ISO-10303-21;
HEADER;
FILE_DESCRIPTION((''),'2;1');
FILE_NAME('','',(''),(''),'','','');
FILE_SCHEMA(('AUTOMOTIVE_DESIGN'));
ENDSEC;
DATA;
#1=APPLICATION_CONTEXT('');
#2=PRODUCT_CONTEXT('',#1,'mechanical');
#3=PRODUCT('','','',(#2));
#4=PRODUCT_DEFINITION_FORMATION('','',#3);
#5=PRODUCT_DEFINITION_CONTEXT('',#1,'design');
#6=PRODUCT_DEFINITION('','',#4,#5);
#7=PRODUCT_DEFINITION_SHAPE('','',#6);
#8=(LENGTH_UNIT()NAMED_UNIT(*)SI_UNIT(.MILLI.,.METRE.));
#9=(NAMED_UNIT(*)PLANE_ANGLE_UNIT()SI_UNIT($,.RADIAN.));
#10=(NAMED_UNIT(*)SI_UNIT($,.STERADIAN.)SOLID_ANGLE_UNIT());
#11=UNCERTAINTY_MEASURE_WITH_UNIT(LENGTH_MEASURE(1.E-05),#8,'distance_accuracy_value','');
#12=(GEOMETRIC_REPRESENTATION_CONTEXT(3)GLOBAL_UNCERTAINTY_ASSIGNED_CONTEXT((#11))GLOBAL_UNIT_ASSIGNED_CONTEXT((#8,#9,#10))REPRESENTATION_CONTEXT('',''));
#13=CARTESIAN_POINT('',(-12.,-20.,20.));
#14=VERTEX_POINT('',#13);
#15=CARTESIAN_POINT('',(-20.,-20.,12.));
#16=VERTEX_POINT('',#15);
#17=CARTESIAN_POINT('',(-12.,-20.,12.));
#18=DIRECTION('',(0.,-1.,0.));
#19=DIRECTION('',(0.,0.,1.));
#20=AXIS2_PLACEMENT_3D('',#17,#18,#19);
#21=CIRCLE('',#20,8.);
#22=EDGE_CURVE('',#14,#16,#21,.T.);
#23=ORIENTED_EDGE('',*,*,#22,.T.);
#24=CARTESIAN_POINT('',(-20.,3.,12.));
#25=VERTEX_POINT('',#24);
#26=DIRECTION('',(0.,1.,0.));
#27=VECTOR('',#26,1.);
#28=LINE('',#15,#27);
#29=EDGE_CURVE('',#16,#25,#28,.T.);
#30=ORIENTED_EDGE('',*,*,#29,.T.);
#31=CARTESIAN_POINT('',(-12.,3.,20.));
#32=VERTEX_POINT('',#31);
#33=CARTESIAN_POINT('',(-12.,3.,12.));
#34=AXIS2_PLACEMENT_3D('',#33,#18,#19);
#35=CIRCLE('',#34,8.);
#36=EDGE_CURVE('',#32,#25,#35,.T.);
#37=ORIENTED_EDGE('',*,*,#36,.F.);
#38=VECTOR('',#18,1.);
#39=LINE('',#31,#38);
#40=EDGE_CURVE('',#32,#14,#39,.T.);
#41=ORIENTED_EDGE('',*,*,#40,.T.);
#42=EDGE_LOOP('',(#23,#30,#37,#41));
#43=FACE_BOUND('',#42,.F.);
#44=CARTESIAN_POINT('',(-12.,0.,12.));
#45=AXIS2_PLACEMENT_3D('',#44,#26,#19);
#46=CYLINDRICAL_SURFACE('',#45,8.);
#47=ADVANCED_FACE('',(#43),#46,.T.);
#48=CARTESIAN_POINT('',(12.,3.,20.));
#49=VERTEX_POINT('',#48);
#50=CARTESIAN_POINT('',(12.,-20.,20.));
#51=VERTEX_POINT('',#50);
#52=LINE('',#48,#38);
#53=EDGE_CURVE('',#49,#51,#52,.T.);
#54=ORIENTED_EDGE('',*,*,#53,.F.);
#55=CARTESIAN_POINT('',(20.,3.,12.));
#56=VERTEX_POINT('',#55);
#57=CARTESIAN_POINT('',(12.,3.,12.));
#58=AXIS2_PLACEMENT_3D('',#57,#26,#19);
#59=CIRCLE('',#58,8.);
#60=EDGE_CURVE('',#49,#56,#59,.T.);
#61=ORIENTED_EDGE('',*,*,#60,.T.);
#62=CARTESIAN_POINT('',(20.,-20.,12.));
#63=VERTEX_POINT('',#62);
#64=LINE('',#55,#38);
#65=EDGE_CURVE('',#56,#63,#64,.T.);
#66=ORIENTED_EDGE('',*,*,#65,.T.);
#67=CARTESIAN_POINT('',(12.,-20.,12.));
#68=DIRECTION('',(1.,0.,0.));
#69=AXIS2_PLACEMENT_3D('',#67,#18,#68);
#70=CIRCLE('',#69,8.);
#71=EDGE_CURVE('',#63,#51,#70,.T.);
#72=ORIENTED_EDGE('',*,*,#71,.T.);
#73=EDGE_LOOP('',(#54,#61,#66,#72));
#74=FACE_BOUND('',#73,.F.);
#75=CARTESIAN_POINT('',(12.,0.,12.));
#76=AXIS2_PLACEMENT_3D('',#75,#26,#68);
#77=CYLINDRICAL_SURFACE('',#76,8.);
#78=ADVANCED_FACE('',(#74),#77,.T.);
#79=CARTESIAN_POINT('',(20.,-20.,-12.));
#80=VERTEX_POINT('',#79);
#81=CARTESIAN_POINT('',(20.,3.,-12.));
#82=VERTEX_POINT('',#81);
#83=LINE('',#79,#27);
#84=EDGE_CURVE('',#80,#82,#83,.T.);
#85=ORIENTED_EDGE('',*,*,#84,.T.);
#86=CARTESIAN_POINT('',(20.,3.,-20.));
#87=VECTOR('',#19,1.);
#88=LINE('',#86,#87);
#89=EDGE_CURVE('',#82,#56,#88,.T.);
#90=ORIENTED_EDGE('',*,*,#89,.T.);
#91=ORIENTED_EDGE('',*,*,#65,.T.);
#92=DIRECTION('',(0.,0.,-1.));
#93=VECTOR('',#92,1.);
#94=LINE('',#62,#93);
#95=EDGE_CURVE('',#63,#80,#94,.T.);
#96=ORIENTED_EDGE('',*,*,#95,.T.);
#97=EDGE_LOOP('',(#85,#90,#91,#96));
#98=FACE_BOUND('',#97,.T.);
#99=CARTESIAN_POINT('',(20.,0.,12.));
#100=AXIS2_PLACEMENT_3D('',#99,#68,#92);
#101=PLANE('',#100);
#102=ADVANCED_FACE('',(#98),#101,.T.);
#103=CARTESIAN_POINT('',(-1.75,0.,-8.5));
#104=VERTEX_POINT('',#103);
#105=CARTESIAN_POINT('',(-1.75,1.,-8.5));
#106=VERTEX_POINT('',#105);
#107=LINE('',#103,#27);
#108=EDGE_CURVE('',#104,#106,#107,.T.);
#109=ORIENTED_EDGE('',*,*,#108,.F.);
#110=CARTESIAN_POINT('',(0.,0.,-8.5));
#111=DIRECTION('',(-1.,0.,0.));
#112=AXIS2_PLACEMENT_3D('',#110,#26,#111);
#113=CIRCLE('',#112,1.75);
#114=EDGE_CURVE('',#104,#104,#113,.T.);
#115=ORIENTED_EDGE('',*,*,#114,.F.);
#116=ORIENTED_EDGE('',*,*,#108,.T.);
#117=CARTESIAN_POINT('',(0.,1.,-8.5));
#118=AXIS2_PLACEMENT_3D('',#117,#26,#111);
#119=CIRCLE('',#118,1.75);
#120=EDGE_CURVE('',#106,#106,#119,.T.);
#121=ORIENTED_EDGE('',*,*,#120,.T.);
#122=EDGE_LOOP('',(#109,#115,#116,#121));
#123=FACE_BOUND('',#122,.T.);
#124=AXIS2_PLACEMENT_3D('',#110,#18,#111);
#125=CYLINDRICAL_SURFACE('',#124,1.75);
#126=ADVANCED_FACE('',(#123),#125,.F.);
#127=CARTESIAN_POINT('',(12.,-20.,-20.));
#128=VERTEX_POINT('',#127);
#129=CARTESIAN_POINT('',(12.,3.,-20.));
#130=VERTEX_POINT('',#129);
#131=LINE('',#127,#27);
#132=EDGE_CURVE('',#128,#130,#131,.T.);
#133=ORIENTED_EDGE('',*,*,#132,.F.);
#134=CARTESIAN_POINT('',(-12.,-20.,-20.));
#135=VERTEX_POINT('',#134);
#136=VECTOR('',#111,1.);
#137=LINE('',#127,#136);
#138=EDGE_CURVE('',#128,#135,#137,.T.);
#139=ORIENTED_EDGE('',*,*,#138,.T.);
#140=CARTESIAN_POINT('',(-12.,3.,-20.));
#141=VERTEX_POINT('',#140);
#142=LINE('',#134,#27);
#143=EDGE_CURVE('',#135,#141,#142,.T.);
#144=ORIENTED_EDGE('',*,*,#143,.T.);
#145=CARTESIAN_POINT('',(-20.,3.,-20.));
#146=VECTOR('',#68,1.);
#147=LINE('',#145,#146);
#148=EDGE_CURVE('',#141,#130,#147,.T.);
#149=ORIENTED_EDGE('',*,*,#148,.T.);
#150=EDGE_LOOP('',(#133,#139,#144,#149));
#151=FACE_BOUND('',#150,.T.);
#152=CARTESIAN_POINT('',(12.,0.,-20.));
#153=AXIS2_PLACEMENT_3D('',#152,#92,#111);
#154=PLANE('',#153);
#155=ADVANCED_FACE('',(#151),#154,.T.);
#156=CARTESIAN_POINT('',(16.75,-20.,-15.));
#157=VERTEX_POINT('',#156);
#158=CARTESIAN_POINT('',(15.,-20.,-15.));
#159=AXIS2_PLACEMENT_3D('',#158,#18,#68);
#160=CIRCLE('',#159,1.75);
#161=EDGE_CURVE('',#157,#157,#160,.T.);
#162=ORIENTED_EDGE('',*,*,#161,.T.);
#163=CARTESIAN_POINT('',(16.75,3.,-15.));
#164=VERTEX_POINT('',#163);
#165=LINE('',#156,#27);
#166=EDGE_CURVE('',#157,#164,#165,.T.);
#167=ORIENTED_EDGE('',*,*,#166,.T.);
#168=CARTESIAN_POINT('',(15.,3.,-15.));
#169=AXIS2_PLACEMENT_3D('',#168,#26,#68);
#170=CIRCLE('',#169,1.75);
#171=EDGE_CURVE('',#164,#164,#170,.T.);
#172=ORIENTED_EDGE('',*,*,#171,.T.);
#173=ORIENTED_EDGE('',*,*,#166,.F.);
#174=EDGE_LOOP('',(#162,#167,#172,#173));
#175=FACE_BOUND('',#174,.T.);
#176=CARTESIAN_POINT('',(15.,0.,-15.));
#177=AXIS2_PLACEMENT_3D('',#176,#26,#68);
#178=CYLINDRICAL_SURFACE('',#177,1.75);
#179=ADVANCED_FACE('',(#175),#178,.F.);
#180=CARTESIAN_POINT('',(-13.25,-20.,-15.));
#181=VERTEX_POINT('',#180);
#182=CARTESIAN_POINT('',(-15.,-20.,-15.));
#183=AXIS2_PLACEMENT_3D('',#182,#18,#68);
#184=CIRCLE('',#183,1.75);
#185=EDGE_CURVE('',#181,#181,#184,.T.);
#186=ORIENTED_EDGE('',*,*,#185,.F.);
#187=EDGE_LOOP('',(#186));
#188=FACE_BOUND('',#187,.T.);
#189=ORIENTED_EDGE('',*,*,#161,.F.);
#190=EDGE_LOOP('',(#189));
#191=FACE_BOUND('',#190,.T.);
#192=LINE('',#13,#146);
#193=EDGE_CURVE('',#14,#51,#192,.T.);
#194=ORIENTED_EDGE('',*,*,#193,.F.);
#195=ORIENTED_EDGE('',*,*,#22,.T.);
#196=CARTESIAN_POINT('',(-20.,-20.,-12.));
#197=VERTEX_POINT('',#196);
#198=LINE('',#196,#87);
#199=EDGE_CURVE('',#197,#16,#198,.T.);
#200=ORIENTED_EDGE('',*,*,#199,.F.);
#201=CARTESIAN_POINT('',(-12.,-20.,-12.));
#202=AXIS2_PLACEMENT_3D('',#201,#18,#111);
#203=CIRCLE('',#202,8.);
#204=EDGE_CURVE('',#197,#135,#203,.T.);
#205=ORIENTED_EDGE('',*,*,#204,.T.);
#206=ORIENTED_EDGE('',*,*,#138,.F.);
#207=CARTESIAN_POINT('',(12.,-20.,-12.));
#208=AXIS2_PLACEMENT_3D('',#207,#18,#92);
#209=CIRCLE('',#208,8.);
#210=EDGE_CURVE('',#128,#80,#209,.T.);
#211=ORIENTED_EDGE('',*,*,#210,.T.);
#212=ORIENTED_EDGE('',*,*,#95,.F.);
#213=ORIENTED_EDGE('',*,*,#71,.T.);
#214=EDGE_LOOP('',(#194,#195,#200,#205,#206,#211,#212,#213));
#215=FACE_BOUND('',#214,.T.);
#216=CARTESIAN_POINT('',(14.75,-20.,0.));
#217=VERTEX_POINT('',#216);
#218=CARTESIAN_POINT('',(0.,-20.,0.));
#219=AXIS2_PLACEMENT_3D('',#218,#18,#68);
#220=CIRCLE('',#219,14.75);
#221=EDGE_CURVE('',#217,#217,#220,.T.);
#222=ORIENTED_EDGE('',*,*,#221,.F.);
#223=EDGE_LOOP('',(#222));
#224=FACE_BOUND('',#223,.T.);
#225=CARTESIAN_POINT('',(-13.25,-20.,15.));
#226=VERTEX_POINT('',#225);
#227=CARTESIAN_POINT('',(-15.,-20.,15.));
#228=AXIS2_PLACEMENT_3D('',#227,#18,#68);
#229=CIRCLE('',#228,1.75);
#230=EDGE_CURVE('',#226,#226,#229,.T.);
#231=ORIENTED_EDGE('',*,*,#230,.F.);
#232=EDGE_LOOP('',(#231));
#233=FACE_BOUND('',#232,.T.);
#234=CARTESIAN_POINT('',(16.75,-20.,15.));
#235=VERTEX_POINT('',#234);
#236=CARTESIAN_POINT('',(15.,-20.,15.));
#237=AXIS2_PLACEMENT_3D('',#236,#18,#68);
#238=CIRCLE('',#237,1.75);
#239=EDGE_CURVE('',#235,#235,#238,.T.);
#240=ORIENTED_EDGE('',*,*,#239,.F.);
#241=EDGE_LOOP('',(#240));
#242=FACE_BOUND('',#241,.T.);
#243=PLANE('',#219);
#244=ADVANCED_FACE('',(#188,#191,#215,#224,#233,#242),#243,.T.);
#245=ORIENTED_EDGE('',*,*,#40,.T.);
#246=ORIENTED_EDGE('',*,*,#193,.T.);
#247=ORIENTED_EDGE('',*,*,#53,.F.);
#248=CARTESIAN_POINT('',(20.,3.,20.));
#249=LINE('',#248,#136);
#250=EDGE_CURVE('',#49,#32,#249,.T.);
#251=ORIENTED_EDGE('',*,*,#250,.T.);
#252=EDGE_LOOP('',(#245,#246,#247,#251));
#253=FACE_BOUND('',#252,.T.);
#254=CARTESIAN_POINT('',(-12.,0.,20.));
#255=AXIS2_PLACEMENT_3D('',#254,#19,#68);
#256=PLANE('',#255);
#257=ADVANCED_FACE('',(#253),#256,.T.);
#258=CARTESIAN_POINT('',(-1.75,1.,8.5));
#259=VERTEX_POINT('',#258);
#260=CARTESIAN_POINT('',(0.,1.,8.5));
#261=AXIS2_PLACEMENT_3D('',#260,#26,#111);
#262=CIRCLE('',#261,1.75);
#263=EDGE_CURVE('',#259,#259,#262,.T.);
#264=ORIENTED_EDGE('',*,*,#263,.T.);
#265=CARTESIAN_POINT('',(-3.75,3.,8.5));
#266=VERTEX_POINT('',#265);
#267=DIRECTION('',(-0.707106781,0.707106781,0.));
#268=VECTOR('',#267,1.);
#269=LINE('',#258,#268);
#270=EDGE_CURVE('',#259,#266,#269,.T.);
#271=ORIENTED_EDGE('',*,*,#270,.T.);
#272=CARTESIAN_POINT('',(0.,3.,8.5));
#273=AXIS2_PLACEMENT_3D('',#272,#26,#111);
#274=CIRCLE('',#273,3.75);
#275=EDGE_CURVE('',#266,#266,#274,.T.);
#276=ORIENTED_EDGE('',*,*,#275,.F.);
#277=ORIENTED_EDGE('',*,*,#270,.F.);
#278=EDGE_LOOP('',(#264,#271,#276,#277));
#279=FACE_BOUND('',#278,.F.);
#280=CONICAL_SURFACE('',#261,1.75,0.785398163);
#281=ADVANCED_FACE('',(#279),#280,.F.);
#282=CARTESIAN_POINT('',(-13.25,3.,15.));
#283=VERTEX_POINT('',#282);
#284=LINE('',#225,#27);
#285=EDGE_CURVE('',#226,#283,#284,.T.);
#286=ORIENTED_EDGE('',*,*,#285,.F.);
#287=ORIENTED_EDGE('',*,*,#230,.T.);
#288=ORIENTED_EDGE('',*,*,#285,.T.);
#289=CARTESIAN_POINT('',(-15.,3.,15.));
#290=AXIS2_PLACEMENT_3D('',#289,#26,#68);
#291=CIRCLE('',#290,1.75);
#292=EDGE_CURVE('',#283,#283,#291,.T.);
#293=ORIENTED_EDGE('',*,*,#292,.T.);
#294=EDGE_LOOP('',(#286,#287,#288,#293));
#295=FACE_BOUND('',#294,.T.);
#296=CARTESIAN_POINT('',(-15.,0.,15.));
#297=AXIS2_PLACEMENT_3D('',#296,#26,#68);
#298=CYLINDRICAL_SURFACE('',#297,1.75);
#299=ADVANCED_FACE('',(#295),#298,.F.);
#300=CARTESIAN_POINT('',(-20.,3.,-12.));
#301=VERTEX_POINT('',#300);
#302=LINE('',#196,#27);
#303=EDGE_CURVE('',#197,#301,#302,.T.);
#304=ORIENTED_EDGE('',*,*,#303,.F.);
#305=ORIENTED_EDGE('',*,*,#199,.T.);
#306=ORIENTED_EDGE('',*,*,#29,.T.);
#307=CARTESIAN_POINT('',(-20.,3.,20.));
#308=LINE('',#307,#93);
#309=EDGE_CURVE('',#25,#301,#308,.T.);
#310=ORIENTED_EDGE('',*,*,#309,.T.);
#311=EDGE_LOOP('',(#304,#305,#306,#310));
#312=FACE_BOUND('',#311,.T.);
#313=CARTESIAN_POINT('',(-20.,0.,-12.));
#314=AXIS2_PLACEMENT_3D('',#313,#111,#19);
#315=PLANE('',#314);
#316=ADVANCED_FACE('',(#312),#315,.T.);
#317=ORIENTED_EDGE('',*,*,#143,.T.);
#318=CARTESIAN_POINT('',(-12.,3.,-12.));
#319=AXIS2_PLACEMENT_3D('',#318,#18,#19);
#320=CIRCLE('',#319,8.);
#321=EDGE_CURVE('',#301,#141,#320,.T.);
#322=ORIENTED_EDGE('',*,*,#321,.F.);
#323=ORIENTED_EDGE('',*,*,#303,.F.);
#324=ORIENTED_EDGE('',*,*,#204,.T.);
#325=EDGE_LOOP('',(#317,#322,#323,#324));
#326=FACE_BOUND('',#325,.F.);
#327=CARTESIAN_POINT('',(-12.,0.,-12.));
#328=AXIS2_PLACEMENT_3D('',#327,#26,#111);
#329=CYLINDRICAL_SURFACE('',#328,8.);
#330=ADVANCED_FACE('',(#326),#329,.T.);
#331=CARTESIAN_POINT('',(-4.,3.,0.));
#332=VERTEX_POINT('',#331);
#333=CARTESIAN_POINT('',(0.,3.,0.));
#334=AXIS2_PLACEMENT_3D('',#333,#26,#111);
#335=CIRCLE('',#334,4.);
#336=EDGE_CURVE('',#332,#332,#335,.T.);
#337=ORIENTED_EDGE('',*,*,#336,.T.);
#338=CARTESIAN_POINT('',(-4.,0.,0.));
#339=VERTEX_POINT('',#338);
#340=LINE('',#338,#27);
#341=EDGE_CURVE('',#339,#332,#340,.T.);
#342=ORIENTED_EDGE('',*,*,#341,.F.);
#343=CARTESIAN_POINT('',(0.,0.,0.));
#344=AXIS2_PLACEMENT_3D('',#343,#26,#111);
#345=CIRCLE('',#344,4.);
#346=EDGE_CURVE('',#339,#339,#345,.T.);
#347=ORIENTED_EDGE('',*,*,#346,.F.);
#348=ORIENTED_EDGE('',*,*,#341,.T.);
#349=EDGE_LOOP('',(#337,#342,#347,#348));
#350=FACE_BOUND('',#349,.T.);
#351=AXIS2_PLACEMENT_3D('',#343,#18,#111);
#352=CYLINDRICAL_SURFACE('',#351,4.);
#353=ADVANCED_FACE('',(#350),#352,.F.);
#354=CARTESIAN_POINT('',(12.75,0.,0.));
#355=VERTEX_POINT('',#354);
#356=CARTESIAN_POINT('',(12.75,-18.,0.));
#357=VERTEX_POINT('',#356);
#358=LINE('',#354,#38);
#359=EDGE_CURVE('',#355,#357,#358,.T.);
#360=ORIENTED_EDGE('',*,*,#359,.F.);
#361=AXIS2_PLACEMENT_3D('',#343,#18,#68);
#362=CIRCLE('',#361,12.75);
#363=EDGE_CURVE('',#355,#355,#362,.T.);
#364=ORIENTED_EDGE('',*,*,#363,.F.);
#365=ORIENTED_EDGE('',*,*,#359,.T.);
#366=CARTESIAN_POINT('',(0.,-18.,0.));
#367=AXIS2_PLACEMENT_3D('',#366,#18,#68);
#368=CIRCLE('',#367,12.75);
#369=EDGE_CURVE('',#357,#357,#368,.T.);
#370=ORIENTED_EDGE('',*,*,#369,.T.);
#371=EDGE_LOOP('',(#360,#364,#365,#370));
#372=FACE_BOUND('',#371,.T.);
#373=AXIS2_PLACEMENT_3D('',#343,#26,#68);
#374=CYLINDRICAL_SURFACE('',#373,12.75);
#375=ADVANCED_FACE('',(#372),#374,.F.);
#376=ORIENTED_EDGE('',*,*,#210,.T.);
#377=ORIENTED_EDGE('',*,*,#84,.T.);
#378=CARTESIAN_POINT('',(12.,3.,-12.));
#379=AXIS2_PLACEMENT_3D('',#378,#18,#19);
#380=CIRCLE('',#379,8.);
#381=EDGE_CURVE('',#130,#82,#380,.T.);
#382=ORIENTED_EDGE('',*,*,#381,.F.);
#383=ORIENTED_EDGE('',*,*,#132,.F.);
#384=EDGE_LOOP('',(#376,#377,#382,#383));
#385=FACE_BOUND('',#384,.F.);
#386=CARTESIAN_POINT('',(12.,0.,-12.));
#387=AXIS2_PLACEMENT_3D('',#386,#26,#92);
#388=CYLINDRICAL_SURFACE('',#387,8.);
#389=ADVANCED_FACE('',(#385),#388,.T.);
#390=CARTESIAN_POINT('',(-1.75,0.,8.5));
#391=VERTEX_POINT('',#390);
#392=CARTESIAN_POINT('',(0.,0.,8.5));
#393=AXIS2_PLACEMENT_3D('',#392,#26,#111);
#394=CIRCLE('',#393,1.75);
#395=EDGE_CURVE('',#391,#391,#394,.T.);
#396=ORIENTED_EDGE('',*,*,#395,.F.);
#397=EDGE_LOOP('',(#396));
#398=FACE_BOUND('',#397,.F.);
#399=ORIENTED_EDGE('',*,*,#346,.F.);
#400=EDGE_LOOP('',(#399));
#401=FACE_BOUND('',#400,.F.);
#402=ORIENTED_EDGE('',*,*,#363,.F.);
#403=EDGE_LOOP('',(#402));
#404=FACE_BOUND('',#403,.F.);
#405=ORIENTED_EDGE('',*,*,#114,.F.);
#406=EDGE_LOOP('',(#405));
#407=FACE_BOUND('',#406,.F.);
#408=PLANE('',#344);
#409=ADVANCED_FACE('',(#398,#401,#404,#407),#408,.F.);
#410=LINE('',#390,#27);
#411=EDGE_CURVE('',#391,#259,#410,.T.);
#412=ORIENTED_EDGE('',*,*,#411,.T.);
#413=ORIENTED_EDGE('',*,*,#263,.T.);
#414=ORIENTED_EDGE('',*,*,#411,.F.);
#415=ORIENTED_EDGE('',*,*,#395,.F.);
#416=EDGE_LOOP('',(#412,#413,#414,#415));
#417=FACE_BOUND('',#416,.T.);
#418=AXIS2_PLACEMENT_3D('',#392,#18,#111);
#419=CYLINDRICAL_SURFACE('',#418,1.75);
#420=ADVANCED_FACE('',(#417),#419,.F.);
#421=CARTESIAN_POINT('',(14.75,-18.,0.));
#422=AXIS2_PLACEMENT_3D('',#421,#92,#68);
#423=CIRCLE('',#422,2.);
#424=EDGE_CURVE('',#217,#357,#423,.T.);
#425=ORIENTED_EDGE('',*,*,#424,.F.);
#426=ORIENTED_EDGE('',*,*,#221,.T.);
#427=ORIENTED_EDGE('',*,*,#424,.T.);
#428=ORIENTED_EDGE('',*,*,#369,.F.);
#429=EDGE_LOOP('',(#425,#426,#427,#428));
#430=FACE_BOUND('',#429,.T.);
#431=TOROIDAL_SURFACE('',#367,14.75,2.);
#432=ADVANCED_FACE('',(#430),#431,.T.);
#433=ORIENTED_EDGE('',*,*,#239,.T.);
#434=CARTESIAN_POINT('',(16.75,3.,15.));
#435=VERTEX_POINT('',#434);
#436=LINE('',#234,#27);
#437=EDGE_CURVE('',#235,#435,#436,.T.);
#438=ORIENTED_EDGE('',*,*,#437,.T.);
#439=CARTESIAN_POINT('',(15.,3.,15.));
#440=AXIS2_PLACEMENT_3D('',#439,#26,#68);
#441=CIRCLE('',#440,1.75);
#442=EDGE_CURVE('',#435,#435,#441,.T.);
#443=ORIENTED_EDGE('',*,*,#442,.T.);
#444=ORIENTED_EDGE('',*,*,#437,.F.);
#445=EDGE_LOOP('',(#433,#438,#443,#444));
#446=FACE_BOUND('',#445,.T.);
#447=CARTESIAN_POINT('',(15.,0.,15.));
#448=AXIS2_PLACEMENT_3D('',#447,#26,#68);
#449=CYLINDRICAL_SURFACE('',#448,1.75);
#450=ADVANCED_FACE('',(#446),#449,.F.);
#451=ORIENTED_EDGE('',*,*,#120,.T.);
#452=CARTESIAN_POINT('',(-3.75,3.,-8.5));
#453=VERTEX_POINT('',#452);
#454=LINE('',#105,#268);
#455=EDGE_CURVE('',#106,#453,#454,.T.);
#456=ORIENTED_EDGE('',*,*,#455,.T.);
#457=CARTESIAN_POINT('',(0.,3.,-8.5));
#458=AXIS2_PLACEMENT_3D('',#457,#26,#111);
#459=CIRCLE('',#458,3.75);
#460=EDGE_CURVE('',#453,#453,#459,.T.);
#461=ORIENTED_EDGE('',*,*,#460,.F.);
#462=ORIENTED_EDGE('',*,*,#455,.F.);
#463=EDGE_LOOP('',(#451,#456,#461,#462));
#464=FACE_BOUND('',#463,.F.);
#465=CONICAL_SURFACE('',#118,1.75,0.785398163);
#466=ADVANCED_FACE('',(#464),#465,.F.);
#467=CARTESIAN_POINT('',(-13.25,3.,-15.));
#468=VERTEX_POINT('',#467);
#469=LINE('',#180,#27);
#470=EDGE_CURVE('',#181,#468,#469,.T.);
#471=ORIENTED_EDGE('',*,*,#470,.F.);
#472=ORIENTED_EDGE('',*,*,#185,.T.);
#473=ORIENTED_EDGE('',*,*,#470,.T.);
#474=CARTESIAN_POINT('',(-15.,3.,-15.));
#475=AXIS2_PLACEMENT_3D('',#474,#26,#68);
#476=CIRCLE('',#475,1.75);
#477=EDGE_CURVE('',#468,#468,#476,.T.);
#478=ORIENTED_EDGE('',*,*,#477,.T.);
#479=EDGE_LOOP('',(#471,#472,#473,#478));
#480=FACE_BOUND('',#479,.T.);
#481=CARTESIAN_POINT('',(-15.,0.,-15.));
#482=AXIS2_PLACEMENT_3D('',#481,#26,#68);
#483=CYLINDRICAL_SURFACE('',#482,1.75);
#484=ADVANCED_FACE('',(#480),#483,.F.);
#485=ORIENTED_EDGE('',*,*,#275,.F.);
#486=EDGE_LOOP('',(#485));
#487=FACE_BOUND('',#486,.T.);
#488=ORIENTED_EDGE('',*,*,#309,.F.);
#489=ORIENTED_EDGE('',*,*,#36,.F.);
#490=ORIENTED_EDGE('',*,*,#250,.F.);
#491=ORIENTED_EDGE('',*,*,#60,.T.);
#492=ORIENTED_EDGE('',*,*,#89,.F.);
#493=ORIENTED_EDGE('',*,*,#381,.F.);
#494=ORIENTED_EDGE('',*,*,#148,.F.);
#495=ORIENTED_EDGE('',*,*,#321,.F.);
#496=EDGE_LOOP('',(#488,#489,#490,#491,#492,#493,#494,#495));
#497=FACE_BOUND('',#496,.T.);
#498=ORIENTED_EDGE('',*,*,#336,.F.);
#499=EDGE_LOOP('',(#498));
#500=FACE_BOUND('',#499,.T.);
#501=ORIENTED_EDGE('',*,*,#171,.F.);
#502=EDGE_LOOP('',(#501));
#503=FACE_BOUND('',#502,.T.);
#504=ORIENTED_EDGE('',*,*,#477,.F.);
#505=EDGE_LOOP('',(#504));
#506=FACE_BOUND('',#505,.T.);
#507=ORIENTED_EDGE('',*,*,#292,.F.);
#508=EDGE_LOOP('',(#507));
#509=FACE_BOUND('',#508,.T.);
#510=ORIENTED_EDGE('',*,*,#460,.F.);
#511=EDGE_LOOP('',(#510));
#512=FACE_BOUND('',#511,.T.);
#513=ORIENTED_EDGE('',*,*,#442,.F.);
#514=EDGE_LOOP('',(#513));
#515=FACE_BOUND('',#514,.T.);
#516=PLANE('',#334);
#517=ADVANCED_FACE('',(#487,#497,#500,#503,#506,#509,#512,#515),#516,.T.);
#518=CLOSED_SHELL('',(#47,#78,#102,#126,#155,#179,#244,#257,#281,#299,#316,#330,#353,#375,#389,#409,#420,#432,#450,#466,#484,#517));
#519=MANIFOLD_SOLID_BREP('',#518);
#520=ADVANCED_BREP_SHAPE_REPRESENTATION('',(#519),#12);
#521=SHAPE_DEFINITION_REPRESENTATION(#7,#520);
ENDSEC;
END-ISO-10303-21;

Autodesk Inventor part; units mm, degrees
ref_plane "YZ Plane" through (0, 0, 0) normal (1, 0, 0) x (0, 1, 0)
ref_plane "XZ Plane" through (0, 0, 0) normal (0, 1, 0) x (-1, 0, 0)
ref_plane "XY Plane" through (0, 0, 0) normal (0, 0, 1) x (1, 0, 0)
sketch "Sketch1" plane through (0, 0, 0) normal (0, 1, 0) x (-1, 0, 0)
  line L0 (-20, 20) -> (20, 20)
  line L1 (20, 20) -> (20, -20)
  line L2 (20, -20) -> (-20, -20)
  line L3 (-20, -20) -> (-20, 20)
  line L4 (-20, 20) -> (20, -20) construction
  line L5 (20, 20) -> (-20, -20) construction
  circle A0 centre (0, 0) radius 4
  circle A1 centre (0, 8.5) radius 1.75
  circle A2 centre (0, -8.5) radius 1.75
  point P0 (0, 0)
  point P1 (0, 0)
  dimension "d0" = 40
  dimension "d1" = 40
  dimension "d2" = 8
  dimension "d3" = 3.5
  dimension "d4" = 3.5
  dimension "d5" = 8.5
  dimension "d6" = 8.5
extrude "Extrusion1" add sketch "Sketch1" along normal blind 3
chamfer "Chamfer1" distance 2 angle 45 2 edges at (1.75, 3, -8.5) (1.75, 3, 8.5)
fillet "Fillet1" radius 8 4 edges at (-20, 1.5, -20) (-20, 1.5, 20) (20, 1.5, -20) (20, 1.5, 20)
sketch "Sketch3" plane through (0, 3, 0) normal (0, 1, 0) x (1, 0, 0)
  circle A0 centre (-15, -15) radius 1.75
  circle A1 centre (-15, 15) radius 1.75
  circle A2 centre (15, 15) radius 1.75
  circle A3 centre (15, -15) radius 1.75
  point P0 (0, 0)
  dimension "d13" = 3.5
  dimension "d14" = 15
  dimension "d15" = 15
  dimension "d16" = 15
  dimension "d17" = 15
extrude "Extrusion2" cut sketch "Sketch3" against normal through all
sketch "Sketch4" plane through (0, 0, 0) normal (0, -1, 0) x (1, 0, 0)
  circle A0 centre (0, 0) radius 12.75
  circle A1 centre (-15, 15) radius 1.75 projected
  circle A2 centre (15, -15) radius 1.75 projected
  circle A3 centre (15, 15) radius 1.75 projected
  circle A4 centre (-15, -15) radius 1.75 projected
  arc A5 (20, 12) -> (12, 20) centre (12, 12) ccw projected
  line L0 (-12, 20) -> (12, 20) projected
  arc A6 (-12, 20) -> (-20, 12) centre (-12, 12) ccw projected
  line L1 (-20, -12) -> (-20, 12) projected
  arc A7 (-20, -12) -> (-12, -20) centre (-12, -12) ccw projected
  line L2 (12, -20) -> (-12, -20) projected
  arc A8 (12, -20) -> (20, -12) centre (12, -12) ccw projected
  line L3 (20, 12) -> (20, -12) projected
  circle A9 centre (0, -8.5) radius 1.75 projected
  circle A10 centre (0, 8.5) radius 1.75 projected
  circle A11 centre (0, 0) radius 4 projected
  dimension "d22" = 25.5
extrude "Extrusion3" add sketch "Sketch4" along normal blind 20 contours L3 A8 L2 A7 L1 A6 L0 A5
fillet "Fillet2" radius 2 1 edges at (-12.75, -20, 0)
properties part number "soportemotor"
